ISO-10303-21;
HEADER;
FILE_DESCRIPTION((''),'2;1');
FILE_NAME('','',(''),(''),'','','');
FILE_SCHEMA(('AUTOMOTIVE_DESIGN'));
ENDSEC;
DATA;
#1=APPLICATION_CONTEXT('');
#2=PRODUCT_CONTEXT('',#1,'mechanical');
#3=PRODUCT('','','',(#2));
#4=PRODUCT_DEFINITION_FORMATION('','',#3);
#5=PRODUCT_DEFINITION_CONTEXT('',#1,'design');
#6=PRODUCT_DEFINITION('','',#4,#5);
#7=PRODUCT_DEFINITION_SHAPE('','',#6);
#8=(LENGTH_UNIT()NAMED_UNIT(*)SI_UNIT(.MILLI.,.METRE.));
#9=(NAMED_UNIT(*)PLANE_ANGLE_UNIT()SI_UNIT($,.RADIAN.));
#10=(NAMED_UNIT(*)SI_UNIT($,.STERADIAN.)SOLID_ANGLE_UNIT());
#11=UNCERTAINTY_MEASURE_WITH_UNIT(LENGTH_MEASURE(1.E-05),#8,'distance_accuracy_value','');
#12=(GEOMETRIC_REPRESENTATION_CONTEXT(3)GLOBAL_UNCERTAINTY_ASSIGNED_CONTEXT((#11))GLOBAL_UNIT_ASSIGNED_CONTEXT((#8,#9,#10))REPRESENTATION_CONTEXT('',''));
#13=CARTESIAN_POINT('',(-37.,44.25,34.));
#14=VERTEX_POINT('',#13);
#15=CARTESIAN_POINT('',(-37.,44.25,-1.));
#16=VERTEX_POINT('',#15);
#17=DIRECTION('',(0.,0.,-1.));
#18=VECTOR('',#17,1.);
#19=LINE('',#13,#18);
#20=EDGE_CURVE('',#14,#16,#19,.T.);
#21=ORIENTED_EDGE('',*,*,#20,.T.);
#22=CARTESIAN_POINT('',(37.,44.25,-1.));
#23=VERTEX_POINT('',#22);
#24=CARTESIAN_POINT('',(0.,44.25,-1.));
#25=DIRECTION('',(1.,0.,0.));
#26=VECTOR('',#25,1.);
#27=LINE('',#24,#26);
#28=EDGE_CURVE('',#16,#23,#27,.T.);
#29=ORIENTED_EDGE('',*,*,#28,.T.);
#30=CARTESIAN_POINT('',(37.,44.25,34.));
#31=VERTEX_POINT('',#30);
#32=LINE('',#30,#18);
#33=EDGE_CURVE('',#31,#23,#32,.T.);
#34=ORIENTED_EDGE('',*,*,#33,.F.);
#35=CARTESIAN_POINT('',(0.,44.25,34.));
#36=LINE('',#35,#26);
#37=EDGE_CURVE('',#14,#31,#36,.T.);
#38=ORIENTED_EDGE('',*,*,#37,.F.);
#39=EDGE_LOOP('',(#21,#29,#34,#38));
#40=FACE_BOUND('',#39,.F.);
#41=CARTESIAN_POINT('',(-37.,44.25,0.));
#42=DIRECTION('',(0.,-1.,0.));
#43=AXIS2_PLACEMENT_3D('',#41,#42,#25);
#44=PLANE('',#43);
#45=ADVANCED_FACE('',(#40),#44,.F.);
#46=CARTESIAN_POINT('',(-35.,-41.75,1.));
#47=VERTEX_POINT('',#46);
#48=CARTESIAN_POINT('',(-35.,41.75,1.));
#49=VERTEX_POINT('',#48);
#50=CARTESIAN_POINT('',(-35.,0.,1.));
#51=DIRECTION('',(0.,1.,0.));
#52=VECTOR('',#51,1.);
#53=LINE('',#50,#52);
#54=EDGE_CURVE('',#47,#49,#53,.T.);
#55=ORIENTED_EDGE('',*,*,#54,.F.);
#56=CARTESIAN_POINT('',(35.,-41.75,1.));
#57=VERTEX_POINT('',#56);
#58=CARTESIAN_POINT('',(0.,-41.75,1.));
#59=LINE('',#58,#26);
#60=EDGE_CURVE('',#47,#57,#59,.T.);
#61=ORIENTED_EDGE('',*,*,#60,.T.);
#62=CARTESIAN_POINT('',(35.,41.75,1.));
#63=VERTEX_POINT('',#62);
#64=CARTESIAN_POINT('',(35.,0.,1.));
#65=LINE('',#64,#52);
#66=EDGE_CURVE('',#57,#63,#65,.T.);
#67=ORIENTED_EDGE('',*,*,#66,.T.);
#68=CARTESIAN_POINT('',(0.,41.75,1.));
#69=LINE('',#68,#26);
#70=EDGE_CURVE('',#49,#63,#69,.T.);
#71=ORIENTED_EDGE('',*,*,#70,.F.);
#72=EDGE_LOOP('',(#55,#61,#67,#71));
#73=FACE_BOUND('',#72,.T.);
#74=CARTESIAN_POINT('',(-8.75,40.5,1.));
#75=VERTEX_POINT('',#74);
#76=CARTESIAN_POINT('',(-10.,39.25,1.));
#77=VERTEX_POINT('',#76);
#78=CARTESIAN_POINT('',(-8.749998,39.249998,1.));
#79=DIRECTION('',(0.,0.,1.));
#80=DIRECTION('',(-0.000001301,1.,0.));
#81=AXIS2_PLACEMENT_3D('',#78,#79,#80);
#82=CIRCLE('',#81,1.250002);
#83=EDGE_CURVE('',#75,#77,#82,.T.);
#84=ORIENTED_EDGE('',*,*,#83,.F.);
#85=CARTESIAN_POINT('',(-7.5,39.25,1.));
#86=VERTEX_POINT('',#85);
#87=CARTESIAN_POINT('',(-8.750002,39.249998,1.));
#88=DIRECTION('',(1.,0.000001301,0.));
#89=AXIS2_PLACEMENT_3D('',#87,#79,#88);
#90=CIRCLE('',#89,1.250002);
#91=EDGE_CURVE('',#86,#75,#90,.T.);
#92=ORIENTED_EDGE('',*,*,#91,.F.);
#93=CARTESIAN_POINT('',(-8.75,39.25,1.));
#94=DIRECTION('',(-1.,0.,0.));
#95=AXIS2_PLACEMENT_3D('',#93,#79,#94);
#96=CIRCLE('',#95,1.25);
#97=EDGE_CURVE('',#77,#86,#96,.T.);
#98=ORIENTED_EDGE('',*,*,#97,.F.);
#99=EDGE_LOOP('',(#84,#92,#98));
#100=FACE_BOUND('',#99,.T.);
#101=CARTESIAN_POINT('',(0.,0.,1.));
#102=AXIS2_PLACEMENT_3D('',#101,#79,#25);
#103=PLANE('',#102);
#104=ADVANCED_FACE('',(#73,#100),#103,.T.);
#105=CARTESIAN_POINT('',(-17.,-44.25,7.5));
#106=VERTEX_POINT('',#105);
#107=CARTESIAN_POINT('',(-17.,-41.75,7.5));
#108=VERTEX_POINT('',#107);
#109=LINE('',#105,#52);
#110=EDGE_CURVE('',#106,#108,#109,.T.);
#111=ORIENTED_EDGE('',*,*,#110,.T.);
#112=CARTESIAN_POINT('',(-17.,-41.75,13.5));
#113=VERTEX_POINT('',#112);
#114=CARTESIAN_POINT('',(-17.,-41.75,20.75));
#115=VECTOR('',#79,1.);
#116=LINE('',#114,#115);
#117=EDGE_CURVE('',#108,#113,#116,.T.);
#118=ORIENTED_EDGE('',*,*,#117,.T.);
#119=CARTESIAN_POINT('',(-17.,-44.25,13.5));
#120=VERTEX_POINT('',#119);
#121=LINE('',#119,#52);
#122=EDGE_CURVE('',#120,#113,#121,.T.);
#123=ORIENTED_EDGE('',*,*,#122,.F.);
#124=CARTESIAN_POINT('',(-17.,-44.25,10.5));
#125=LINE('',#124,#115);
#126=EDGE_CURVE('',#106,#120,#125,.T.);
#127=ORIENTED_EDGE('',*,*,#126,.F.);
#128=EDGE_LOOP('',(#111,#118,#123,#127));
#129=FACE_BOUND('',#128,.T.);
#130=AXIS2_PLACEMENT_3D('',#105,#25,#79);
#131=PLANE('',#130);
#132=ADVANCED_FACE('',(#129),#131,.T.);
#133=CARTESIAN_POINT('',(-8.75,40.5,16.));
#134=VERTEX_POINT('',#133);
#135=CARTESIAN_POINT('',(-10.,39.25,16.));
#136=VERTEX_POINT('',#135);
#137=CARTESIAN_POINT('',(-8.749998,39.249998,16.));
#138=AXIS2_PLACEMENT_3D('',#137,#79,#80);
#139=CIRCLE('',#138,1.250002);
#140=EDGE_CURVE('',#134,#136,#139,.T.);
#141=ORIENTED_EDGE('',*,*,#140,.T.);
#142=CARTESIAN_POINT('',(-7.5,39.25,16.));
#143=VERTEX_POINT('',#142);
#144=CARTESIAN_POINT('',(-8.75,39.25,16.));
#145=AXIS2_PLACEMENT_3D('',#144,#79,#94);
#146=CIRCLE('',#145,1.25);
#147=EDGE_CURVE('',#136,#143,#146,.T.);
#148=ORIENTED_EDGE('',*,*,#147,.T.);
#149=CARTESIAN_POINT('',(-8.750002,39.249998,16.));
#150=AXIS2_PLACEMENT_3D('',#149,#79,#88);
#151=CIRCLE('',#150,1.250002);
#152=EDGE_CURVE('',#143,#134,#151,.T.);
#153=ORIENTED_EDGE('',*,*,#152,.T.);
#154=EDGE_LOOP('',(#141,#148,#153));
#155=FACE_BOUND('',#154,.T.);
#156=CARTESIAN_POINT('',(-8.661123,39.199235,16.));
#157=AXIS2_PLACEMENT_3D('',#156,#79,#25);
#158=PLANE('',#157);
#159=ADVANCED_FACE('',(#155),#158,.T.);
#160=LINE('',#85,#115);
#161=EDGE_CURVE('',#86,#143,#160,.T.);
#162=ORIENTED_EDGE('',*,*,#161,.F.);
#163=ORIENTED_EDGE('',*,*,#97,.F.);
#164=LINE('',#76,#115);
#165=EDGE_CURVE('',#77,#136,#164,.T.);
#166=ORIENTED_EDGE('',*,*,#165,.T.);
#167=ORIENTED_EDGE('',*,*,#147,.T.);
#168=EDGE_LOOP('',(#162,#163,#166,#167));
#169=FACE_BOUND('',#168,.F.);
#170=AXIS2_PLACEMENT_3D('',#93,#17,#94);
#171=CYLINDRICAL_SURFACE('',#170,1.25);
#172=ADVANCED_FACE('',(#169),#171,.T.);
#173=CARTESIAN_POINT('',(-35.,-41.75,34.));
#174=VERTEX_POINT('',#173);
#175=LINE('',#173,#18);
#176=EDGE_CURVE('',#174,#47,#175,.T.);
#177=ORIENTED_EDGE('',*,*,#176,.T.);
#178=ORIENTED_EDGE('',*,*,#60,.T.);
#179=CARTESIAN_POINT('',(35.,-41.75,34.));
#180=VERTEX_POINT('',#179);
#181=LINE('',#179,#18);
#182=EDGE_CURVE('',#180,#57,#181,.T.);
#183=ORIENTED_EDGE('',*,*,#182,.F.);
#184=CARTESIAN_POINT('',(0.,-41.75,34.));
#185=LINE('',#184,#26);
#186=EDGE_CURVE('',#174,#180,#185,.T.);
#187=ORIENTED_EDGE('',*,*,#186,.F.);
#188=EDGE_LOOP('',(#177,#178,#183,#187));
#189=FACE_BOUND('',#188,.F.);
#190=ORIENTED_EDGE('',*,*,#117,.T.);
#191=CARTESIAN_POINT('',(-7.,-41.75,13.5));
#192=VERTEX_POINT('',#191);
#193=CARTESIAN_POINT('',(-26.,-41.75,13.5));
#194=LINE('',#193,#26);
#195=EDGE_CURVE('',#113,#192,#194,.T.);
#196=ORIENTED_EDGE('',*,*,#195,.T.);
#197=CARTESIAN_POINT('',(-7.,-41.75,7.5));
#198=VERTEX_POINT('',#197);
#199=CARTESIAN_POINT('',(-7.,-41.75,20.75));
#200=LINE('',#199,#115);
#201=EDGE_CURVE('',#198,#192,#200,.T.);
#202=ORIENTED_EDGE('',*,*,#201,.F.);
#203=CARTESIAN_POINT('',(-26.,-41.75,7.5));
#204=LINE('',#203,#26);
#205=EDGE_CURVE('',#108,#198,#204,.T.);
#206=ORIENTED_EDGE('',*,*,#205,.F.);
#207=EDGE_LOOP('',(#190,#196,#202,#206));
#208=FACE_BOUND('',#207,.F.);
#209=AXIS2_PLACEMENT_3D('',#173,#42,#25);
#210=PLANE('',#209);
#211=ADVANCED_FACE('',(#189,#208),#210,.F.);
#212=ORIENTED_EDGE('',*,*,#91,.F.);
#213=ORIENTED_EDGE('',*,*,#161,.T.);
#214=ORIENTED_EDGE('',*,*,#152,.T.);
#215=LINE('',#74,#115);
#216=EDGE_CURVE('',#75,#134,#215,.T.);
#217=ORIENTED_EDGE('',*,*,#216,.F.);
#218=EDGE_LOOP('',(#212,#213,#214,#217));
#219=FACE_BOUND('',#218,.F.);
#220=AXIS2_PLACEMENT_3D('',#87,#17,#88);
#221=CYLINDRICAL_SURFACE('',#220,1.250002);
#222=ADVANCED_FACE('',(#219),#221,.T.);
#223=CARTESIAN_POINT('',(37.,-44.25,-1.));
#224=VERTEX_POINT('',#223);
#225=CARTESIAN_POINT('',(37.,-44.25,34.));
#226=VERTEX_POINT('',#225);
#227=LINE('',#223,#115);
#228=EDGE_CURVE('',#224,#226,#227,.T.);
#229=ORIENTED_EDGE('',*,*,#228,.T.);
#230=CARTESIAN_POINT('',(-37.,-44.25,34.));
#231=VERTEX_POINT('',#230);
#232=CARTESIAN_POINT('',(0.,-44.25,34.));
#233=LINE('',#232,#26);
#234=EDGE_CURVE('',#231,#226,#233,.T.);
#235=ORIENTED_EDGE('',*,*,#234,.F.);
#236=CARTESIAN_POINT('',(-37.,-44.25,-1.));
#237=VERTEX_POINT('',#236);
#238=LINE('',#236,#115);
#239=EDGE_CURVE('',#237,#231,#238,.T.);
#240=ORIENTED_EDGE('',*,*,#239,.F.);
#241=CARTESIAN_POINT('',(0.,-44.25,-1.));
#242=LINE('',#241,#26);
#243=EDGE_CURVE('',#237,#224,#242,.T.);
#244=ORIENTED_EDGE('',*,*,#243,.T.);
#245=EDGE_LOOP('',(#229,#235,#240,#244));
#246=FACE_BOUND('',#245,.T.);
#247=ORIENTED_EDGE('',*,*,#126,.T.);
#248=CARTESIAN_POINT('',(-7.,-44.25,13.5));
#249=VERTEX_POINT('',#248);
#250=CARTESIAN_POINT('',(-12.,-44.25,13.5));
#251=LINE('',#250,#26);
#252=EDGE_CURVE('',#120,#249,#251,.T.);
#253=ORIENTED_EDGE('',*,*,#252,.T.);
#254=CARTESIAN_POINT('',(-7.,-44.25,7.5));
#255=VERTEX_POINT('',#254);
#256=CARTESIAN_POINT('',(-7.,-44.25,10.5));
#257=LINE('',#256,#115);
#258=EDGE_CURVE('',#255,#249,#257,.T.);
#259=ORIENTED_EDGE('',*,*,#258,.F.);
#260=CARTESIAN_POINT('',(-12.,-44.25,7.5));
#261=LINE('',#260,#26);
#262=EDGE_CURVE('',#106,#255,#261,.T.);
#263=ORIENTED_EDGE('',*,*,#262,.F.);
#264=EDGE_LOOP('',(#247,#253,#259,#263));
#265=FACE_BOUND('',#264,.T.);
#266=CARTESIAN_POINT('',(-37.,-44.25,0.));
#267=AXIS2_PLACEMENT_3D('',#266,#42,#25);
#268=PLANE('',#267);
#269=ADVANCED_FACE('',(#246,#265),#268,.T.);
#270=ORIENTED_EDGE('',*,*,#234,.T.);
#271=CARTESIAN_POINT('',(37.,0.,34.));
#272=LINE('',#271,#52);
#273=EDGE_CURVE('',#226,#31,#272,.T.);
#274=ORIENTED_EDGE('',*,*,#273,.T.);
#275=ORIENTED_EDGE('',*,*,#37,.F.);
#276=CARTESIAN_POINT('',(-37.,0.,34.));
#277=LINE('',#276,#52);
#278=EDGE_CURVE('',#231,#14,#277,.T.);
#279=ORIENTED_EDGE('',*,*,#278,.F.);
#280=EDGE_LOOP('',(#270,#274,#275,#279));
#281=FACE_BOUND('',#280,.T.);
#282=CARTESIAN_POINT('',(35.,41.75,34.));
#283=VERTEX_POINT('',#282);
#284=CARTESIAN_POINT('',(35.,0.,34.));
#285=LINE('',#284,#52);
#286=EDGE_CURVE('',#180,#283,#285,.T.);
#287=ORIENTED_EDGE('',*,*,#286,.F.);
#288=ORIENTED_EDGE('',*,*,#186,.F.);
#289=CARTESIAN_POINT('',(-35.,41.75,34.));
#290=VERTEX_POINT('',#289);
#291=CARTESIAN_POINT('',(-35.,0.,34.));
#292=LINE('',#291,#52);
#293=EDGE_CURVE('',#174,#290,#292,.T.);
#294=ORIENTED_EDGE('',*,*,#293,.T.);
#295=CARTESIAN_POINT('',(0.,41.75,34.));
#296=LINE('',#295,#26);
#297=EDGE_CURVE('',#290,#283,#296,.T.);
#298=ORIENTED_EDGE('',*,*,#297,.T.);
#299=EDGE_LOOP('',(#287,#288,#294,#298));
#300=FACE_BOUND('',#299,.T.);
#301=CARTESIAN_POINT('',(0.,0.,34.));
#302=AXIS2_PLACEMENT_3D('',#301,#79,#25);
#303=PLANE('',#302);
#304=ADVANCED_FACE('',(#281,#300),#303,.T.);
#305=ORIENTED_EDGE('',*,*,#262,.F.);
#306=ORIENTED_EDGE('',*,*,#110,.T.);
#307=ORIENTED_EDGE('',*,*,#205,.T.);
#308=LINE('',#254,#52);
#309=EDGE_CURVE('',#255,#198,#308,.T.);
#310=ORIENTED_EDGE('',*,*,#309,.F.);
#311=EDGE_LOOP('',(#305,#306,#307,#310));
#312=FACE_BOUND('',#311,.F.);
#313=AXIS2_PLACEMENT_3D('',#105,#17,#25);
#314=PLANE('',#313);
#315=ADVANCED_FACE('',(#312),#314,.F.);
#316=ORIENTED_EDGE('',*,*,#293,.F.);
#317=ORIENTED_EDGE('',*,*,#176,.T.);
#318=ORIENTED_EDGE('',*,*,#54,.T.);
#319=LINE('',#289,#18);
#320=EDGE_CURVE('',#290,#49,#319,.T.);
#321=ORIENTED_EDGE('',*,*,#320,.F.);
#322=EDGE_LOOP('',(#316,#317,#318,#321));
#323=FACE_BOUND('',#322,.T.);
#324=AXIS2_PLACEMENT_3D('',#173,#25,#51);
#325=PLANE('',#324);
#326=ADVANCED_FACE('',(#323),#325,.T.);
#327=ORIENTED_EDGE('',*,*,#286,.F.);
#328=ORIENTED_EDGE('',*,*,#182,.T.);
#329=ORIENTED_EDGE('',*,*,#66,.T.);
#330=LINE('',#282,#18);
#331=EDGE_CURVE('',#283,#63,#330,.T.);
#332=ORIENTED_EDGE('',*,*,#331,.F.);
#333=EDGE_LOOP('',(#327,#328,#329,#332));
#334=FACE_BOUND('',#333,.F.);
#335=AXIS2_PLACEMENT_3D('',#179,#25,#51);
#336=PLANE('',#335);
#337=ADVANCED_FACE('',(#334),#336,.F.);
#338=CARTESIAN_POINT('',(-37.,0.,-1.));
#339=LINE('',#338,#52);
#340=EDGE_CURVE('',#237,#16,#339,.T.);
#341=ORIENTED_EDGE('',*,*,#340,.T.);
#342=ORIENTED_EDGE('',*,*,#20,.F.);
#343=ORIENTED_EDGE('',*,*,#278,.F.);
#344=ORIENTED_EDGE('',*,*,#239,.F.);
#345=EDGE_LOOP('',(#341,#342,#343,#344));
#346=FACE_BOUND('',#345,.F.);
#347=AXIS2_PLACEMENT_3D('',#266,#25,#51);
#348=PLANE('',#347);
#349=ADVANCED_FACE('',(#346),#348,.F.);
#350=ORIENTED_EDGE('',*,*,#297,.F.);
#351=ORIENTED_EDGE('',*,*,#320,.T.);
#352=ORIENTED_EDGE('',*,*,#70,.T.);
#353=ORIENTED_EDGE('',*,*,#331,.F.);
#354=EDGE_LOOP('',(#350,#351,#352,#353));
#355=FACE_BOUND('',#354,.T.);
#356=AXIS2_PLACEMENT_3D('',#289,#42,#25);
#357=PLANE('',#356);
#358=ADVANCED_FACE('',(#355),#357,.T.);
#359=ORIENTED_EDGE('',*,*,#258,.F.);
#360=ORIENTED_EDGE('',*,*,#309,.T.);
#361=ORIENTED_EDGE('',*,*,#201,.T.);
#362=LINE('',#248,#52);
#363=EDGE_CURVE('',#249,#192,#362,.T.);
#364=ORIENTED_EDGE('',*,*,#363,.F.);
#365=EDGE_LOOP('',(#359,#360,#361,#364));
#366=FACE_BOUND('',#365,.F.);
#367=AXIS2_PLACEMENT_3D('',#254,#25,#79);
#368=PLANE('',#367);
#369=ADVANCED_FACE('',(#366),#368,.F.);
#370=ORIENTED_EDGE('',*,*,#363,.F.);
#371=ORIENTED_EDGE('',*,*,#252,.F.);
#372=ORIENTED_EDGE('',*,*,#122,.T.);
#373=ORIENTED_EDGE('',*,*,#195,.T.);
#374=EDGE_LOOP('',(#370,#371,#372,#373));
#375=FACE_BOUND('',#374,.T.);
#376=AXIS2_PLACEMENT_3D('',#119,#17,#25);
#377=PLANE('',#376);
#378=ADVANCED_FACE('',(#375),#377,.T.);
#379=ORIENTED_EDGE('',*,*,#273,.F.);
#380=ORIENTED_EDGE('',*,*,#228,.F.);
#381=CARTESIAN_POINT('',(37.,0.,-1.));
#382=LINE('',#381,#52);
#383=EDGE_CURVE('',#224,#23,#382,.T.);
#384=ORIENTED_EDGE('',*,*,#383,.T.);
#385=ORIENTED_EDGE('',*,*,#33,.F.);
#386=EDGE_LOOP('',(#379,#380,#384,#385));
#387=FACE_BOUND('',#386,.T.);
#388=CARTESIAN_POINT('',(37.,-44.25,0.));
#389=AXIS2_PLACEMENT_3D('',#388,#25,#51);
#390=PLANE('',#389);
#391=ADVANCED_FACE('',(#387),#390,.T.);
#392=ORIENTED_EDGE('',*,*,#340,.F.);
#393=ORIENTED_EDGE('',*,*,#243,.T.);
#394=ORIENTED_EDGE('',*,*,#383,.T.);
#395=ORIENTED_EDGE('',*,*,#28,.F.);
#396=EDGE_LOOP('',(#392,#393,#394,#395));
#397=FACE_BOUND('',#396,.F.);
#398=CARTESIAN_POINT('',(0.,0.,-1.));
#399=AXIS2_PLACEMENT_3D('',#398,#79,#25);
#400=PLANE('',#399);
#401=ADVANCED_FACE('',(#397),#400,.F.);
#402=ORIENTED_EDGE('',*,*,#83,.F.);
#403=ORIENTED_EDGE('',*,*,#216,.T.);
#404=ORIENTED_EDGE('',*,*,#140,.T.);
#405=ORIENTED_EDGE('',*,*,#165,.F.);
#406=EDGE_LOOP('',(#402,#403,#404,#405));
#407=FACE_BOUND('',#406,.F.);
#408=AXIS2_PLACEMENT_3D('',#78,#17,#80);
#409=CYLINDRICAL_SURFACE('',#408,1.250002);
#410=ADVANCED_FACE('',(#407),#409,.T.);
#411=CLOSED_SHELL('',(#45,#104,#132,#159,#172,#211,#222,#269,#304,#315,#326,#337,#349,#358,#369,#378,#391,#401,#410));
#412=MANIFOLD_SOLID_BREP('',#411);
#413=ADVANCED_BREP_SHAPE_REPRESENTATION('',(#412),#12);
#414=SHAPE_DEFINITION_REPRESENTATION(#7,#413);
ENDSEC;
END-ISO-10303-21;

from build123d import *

# Parameters (mm, degrees)
F0_W     = 74
F0_H     = 88.5
F1_DEPTH = 34
F2_W     = 70
F2_H     = 83.5
F3_DEPTH = 33
F5_DEPTH = 15
F6_DEPTH = 1
F7_W     = 10
F7_H     = 6
F8_DEPTH = 25


with BuildPart() as f1:
    # F0 (on Top) → F1 (new body)
    with BuildSketch(Plane.XY):
        Rectangle(F0_W, F0_H)
    extrude(amount=F1_DEPTH)

    # F2 (on face) → F3 (cut)
    with BuildSketch(Plane.XY.offset(34)):
        Rectangle(F2_W, F2_H)
    extrude(amount=-F3_DEPTH, mode=Mode.SUBTRACT)

    # F4 (on face) → F5 (join)
    with BuildSketch(Plane.XY.offset(1)):
        with BuildLine():
            ThreePointArc((-7.5, 39.25), (-7.866117, 40.133883), (-8.75, 40.5))
            Line((-8.75, 40.5), (-8.75, 39.25))
            Line((-8.75, 39.25), (-10, 39.25))
            ThreePointArc((-10, 39.25), (-8.75, 38), (-7.5, 39.25))
        make_face()
        with BuildLine():
            Line((-8.75, 39.25), (-8.75, 40.5))
            ThreePointArc((-8.75, 40.5), (-9.633883, 40.133883), (-10, 39.25))
            Line((-10, 39.25), (-8.75, 39.25))
        make_face()
    extrude(amount=F5_DEPTH)

    # F0 (on Top) → F6 (join)
    with BuildSketch(Plane.XY):
        Rectangle(F0_W, F0_H)
    extrude(amount=-F6_DEPTH)

    # F7 (on face) → F8 (cut)
    with BuildSketch(Plane.XZ.offset(44.25)):
        with Locations((-12, 10.5)):
            Rectangle(F7_W, F7_H)
    extrude(amount=-F8_DEPTH, mode=Mode.SUBTRACT)


solid = f1.part
